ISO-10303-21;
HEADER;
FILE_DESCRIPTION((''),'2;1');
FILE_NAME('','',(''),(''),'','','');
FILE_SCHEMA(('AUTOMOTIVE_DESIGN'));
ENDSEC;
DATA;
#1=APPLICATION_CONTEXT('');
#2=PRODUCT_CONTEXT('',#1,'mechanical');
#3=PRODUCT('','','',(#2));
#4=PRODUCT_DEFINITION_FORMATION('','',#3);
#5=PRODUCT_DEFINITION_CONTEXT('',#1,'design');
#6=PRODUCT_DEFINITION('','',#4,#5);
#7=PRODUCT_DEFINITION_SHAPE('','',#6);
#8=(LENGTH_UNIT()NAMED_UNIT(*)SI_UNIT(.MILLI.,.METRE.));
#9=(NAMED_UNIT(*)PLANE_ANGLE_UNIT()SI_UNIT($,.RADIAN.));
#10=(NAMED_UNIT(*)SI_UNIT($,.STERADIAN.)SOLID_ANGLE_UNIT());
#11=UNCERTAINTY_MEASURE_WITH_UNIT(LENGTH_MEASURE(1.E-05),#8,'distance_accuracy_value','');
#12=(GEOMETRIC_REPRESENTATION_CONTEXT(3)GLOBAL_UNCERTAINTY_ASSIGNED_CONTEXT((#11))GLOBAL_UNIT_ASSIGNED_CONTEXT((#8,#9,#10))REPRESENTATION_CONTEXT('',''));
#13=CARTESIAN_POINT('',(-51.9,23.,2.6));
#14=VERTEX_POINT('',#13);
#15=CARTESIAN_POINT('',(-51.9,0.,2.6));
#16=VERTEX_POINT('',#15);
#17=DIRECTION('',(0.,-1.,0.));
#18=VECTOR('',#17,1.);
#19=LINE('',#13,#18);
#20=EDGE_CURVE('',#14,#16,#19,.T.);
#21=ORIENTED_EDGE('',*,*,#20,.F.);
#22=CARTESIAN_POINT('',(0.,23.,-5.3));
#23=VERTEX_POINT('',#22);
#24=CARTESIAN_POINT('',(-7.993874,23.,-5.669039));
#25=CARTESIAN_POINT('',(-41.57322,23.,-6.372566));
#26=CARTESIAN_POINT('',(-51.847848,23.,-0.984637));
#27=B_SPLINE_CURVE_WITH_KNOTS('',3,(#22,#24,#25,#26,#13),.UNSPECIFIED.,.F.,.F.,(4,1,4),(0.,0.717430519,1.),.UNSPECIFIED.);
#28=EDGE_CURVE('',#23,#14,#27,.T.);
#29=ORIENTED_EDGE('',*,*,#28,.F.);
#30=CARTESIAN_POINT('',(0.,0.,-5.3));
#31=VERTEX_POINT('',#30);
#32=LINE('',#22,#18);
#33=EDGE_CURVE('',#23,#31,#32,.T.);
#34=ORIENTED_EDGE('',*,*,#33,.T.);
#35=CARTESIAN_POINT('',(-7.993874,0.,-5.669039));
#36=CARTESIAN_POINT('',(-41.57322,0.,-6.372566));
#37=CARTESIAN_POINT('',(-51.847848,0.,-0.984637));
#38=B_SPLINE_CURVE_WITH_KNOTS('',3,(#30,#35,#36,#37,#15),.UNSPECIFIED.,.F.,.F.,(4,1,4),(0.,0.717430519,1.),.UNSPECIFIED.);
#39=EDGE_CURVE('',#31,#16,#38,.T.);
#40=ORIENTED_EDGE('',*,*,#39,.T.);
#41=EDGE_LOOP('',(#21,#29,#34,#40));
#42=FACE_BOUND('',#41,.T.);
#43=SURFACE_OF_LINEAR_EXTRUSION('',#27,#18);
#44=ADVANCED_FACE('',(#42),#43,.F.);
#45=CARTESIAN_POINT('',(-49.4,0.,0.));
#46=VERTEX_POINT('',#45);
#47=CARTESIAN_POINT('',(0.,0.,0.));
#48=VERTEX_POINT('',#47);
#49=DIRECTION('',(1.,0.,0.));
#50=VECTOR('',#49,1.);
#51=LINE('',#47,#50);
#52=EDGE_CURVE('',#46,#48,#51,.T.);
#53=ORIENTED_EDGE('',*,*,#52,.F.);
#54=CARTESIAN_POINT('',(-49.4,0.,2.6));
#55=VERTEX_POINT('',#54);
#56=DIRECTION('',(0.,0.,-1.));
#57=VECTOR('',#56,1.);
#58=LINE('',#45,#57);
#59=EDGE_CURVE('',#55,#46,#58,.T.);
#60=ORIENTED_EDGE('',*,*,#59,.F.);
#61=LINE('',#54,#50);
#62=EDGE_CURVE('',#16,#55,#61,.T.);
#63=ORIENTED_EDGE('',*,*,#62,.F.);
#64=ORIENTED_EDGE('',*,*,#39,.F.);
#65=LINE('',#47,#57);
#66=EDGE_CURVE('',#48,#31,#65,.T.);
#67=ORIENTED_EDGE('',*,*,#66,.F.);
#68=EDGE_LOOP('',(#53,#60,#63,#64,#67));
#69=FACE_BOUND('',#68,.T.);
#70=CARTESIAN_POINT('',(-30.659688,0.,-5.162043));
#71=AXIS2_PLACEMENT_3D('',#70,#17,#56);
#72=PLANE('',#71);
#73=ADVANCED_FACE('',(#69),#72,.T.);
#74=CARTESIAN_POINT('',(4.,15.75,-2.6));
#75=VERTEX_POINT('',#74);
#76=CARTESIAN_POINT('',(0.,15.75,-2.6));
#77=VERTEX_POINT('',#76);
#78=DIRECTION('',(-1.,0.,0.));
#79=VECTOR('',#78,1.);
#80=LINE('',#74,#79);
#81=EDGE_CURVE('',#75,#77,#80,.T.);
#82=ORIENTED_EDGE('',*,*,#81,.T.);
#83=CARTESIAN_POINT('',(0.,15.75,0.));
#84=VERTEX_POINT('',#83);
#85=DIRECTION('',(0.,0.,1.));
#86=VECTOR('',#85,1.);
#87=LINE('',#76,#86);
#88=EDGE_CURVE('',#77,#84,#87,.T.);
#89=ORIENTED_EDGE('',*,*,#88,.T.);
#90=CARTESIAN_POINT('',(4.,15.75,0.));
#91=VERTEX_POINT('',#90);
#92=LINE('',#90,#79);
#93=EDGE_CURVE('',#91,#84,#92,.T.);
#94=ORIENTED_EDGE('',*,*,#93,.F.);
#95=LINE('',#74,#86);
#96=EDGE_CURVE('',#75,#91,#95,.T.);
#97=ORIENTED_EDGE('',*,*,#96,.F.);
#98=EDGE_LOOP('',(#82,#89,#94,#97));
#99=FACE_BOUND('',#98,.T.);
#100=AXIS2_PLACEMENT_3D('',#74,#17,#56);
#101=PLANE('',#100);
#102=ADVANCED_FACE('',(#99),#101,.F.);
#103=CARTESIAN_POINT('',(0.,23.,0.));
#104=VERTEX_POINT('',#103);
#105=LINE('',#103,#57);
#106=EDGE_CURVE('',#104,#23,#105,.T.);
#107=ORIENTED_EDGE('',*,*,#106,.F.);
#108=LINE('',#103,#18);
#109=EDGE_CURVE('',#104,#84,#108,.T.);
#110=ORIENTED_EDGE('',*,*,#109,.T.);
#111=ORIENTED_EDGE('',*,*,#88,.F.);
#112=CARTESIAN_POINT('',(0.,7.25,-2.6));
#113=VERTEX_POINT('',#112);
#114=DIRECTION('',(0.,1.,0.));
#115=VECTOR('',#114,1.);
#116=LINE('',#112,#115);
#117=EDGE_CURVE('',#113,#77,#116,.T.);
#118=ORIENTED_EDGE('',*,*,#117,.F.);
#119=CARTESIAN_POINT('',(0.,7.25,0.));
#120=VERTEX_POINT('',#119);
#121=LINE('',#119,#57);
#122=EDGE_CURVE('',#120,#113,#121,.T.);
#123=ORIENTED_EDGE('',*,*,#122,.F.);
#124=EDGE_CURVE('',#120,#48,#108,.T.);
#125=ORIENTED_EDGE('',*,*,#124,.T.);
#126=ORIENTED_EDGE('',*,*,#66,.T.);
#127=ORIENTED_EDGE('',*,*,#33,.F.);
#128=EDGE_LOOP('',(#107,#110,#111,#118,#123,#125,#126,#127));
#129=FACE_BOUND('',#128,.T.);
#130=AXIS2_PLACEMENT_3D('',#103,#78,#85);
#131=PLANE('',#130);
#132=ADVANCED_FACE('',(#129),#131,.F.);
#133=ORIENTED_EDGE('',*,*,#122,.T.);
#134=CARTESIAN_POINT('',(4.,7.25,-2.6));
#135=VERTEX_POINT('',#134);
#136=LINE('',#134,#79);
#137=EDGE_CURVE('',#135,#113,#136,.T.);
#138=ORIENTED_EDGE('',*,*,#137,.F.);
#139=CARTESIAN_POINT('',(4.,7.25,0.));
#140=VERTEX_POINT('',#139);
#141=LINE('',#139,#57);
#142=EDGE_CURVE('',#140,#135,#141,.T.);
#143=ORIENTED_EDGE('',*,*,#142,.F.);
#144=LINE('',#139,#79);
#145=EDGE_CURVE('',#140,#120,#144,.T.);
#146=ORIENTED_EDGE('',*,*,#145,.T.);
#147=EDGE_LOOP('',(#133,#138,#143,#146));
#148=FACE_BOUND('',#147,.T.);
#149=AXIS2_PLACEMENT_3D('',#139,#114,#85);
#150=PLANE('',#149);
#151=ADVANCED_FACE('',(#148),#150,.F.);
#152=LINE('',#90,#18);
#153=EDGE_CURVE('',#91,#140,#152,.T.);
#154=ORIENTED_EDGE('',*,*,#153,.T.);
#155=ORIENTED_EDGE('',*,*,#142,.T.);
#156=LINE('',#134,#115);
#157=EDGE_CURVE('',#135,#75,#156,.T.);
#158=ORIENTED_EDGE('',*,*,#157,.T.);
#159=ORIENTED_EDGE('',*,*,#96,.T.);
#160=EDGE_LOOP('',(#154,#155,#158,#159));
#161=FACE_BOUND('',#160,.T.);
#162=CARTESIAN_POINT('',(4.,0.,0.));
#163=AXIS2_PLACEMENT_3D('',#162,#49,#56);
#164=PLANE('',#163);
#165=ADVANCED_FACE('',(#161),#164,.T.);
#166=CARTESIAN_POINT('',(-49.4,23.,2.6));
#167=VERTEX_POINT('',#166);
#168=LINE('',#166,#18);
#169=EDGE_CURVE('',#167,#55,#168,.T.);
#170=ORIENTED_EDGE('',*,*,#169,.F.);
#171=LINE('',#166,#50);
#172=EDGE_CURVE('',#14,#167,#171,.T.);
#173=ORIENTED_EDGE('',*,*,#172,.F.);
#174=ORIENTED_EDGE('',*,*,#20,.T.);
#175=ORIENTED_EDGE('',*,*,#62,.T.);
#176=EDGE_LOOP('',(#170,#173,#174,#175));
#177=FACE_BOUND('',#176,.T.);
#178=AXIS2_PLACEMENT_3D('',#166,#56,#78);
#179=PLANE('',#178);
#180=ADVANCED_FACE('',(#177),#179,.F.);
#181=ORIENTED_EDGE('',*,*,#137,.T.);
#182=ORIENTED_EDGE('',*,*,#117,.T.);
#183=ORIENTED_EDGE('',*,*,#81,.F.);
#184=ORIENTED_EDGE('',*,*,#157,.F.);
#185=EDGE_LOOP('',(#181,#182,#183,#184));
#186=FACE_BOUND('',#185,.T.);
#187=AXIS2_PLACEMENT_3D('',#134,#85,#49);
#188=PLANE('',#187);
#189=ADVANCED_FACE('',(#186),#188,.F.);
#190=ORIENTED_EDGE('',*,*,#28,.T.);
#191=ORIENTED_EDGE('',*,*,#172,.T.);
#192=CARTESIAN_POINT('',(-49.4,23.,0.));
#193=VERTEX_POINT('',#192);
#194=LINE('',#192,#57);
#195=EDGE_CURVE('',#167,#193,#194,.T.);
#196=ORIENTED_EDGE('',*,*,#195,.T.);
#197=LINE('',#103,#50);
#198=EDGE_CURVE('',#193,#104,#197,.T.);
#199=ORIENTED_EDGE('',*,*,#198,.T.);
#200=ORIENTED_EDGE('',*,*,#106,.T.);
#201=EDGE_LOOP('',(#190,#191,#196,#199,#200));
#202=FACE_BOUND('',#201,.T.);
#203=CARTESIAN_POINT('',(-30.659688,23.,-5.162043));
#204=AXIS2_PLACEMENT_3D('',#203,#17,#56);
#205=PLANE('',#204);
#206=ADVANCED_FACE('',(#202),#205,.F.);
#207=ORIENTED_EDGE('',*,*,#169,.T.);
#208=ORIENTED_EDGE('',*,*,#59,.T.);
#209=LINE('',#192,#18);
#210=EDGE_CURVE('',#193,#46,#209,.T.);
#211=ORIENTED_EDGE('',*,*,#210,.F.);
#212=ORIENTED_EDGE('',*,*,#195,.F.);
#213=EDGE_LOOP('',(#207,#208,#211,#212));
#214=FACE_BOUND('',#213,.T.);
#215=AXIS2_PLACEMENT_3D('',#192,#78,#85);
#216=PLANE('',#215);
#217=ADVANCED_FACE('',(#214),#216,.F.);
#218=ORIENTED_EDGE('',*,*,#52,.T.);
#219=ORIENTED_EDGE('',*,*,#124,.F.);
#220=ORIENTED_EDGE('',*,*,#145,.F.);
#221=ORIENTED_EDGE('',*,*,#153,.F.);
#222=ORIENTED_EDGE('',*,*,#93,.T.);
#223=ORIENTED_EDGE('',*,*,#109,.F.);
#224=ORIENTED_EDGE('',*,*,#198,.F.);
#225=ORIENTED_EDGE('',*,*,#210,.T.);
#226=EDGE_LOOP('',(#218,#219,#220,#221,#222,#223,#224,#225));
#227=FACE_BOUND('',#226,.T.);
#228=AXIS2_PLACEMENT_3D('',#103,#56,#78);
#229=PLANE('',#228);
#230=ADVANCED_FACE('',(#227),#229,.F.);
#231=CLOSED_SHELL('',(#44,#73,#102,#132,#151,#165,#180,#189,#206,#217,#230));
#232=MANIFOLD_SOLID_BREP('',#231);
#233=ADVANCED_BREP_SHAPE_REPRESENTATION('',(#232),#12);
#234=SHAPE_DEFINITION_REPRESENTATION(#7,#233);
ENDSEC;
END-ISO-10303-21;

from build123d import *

# Parameters (mm, degrees)
EXTRUDE_1_DEPTH = 23
SKETCH_2_W      = 2.6
SKETCH_2_H      = 8.5
EXTRUDE_2_DEPTH = 4


with BuildPart() as part:
    # Эскиз1 → Бобышка-Вытянуть1 (new body)
    with BuildSketch(Plane(origin=(0, 0, 0), x_dir=(1, 0, 0), z_dir=(0, 1, 0))):
        with BuildLine():
            Line((0, 0), (0, 5.3))
            add(Edge.make_bspline(
                [(0, 5.3), (-7.993874465, 5.66903911), (-41.573220026, 6.372565792), (-51.847847743, 0.984637076), (-51.9, -2.6)],
                knots=[0, 0, 0, 0, 0.717430519, 1, 1, 1, 1], degree=3))
            Line((-51.9, -2.6), (-49.4, -2.6))
            Line((-49.4, -2.6), (-49.4, 0))
            Line((-49.4, 0), (0, 0))
        make_face()
    extrude(amount=EXTRUDE_1_DEPTH)

    # Эскиз2 → Бобышка-Вытянуть2 (add)
    with BuildSketch(Plane(origin=(0, 0, 0), x_dir=(0, 0, -1), z_dir=(1, 0, 0))):
        with Locations((1.3, 11.5)):
            Rectangle(SKETCH_2_W, SKETCH_2_H)
    extrude(amount=EXTRUDE_2_DEPTH)


solid = part.part
